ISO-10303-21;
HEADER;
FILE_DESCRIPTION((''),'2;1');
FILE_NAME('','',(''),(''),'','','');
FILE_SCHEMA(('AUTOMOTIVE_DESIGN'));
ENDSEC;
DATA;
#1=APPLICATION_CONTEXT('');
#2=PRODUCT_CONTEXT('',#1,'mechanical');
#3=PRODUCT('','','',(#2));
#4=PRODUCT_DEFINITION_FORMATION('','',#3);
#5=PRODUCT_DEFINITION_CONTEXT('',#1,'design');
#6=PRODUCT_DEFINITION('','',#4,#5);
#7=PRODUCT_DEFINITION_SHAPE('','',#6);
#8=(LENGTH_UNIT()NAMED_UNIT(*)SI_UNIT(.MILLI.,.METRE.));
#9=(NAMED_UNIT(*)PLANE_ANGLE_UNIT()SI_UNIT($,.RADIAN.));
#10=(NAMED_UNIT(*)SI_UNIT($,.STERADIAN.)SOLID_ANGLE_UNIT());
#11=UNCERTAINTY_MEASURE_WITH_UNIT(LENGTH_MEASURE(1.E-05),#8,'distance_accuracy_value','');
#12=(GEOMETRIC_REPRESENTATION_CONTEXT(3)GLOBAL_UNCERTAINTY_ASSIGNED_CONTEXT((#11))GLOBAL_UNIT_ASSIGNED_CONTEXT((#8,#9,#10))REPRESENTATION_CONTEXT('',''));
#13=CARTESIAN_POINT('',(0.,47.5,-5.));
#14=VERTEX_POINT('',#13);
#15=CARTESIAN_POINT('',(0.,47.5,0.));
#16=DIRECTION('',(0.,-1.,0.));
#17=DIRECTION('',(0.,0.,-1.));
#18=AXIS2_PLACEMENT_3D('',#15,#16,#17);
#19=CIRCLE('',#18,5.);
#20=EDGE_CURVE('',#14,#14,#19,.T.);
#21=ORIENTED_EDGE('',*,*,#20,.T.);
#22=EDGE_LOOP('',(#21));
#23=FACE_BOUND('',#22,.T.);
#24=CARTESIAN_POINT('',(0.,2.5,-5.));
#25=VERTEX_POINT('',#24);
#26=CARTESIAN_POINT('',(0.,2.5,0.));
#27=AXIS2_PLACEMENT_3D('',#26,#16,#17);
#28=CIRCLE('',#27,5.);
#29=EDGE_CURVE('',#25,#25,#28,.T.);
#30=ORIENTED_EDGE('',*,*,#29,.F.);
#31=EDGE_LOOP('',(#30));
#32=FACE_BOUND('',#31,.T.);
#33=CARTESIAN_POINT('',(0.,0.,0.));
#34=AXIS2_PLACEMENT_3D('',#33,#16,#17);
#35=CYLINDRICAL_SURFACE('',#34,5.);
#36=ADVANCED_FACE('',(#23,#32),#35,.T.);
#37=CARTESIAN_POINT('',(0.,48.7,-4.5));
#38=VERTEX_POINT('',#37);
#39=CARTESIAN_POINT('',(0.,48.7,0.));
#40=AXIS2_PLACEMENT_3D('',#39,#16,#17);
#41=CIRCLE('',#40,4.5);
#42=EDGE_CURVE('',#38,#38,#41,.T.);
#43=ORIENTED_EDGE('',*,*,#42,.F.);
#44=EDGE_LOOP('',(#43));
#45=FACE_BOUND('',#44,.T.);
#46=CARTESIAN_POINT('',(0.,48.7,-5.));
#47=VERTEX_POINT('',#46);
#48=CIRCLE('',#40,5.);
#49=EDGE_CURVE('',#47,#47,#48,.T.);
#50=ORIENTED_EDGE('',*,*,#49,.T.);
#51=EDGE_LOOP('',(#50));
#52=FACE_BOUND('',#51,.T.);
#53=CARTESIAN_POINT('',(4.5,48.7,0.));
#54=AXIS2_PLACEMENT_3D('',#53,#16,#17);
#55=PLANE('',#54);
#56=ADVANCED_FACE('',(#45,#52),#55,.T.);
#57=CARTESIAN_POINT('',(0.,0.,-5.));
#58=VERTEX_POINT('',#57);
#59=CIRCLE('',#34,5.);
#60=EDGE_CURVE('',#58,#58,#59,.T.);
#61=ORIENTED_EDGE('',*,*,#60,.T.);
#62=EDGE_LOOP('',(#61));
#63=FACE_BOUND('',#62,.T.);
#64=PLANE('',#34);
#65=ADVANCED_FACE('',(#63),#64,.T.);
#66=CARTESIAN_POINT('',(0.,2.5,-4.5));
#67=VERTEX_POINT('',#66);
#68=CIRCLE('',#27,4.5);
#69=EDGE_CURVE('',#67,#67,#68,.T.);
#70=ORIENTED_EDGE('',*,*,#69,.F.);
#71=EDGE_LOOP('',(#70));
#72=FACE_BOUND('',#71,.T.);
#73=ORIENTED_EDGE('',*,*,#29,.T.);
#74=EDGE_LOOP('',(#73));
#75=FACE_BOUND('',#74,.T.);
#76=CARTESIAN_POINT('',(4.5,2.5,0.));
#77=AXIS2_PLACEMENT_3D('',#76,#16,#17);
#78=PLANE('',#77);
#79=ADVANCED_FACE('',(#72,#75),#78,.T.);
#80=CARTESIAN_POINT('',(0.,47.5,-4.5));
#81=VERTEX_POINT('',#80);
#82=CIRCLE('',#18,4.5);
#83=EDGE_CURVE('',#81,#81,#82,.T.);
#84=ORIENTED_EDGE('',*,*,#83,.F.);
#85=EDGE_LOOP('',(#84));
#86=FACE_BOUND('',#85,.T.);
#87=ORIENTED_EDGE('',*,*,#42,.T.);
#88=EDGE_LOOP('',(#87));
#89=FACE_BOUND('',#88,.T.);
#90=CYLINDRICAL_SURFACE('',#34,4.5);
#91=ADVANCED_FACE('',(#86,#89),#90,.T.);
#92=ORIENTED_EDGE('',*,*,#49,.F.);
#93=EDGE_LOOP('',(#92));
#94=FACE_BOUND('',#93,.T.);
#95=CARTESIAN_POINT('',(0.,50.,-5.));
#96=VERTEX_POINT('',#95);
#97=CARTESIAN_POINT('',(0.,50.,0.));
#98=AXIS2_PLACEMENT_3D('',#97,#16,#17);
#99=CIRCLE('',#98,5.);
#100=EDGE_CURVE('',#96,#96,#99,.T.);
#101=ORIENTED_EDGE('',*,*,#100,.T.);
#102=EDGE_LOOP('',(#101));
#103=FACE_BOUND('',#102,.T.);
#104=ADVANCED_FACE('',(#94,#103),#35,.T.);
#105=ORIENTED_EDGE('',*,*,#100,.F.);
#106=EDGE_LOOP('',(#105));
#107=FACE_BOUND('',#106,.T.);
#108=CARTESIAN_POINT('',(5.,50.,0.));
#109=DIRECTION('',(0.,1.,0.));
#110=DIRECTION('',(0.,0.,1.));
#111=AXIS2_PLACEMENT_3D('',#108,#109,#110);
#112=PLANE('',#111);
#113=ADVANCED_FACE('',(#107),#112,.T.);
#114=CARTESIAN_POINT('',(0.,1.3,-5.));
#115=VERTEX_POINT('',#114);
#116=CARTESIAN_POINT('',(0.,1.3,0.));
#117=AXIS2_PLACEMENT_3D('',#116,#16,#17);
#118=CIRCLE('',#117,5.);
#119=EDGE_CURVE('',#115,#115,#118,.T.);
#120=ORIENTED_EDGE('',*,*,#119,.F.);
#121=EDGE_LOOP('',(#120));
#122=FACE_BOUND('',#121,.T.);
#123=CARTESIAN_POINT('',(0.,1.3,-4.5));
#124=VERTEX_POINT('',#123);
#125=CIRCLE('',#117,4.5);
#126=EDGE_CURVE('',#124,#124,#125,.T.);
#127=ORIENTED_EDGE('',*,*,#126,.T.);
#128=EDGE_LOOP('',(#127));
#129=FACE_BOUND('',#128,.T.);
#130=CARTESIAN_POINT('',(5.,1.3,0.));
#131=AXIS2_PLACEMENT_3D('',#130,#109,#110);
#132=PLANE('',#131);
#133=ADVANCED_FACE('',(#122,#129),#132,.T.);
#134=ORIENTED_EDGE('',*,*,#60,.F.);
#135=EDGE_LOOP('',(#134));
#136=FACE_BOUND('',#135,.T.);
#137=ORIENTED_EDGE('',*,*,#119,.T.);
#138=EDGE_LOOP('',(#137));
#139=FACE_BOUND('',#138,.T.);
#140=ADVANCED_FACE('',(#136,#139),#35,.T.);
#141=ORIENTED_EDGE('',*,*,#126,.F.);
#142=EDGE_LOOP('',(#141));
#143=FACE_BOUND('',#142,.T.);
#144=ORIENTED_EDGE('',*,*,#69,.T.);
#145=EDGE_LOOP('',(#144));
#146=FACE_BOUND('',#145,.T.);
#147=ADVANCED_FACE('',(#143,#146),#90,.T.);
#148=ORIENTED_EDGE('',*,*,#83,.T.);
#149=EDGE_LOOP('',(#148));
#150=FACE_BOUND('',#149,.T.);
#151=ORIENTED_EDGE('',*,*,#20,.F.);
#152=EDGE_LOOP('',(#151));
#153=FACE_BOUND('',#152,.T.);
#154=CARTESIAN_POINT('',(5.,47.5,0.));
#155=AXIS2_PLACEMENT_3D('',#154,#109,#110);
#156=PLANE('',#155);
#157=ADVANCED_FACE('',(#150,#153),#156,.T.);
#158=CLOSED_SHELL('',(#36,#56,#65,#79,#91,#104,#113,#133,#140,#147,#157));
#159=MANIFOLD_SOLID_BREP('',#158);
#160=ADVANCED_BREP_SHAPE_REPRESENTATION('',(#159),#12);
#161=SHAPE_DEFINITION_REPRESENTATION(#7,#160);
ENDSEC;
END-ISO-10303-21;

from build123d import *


with BuildPart() as part:
    # 草图1 → 旋转1 (revolve)
    with BuildSketch(Plane.XY, mode=Mode.PRIVATE) as revolve_1_sk:
        Polygon((0, 0), (5, 0), (5, 1.3), (4.5, 1.3), (4.5, 2.5), (5, 2.5), (5, 47.5), (4.5, 47.5), (4.5, 48.7), (5, 48.7), (5, 50), (0, 50), align=None)
    revolve(revolve_1_sk.sketch.rotate(Axis((0, 0, 0), (0, 1, 0)), 90), axis=Axis((0, 0, 0), (0, 1, 0)))


solid = part.part
